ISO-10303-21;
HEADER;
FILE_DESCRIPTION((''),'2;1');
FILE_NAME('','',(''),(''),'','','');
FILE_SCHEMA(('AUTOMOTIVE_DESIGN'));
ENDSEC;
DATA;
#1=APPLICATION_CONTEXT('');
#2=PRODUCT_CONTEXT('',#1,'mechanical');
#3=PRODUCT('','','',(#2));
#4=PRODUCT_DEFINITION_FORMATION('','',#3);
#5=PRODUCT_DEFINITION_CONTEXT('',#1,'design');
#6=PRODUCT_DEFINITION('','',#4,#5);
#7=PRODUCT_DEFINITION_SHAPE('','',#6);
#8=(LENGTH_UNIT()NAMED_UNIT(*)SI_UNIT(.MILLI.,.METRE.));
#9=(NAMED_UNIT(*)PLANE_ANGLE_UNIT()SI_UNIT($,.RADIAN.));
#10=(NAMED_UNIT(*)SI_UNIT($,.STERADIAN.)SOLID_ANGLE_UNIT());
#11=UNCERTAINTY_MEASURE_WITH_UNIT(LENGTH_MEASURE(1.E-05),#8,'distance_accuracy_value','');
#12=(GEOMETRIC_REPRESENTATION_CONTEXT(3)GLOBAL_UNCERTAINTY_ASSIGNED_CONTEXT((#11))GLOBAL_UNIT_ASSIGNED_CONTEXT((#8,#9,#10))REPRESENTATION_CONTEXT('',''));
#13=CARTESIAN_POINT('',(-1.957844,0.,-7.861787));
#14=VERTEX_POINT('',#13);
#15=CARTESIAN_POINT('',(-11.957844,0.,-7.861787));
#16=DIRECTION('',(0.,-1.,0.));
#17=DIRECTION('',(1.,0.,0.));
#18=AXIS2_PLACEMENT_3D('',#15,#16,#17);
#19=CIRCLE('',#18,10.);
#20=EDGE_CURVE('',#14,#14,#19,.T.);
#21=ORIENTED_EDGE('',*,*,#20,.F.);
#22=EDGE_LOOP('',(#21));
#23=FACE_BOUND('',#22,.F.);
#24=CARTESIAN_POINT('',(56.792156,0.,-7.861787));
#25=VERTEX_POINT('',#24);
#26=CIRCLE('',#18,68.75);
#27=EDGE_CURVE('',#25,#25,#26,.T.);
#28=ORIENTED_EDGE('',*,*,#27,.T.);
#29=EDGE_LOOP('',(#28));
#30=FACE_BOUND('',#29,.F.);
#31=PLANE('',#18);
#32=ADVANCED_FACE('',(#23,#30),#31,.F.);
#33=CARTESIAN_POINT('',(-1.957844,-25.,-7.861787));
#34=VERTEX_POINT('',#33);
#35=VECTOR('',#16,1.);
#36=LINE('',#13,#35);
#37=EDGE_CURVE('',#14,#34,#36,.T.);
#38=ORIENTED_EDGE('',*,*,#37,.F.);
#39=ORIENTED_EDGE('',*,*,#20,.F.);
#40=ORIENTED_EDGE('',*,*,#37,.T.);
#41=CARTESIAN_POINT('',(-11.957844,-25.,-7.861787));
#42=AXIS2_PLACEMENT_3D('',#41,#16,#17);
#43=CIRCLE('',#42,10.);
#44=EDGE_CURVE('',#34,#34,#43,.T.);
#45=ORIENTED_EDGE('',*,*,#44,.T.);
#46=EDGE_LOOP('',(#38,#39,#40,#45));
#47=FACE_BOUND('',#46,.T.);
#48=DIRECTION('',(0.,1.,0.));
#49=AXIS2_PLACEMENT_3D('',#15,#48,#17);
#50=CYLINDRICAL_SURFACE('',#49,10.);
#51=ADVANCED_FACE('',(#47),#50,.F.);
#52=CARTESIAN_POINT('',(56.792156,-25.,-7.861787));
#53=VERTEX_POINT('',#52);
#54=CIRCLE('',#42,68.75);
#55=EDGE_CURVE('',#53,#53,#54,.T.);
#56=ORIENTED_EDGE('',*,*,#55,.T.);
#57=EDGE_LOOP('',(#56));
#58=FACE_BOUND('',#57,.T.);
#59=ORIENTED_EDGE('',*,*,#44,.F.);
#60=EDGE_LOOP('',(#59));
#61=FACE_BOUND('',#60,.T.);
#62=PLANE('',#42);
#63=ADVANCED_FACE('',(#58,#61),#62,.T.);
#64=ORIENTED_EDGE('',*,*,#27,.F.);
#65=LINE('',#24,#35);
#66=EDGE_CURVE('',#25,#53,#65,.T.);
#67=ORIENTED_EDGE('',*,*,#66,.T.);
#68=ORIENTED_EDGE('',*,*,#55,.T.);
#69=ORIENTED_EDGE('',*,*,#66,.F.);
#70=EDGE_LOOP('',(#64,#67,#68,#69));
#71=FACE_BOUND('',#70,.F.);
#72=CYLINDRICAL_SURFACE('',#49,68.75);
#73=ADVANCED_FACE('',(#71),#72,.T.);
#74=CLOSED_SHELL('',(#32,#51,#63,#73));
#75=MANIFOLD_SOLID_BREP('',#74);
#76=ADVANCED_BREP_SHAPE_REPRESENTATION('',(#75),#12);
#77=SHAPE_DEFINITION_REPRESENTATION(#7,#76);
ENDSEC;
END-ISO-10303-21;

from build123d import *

# Parameters (mm, degrees)
F0_R     = 68.75
F0_R_2   = 10
F1_DEPTH = 25


with BuildPart() as f1:
    # F0 (on Front) → F1 (new body)
    with BuildSketch(Plane.XZ):
        with Locations((-11.957844, -7.861787)):
            Circle(F0_R)
        with Locations((-11.957844, -7.861787)):
            Circle(F0_R_2, mode=Mode.SUBTRACT)
    extrude(amount=F1_DEPTH)


solid = f1.part
